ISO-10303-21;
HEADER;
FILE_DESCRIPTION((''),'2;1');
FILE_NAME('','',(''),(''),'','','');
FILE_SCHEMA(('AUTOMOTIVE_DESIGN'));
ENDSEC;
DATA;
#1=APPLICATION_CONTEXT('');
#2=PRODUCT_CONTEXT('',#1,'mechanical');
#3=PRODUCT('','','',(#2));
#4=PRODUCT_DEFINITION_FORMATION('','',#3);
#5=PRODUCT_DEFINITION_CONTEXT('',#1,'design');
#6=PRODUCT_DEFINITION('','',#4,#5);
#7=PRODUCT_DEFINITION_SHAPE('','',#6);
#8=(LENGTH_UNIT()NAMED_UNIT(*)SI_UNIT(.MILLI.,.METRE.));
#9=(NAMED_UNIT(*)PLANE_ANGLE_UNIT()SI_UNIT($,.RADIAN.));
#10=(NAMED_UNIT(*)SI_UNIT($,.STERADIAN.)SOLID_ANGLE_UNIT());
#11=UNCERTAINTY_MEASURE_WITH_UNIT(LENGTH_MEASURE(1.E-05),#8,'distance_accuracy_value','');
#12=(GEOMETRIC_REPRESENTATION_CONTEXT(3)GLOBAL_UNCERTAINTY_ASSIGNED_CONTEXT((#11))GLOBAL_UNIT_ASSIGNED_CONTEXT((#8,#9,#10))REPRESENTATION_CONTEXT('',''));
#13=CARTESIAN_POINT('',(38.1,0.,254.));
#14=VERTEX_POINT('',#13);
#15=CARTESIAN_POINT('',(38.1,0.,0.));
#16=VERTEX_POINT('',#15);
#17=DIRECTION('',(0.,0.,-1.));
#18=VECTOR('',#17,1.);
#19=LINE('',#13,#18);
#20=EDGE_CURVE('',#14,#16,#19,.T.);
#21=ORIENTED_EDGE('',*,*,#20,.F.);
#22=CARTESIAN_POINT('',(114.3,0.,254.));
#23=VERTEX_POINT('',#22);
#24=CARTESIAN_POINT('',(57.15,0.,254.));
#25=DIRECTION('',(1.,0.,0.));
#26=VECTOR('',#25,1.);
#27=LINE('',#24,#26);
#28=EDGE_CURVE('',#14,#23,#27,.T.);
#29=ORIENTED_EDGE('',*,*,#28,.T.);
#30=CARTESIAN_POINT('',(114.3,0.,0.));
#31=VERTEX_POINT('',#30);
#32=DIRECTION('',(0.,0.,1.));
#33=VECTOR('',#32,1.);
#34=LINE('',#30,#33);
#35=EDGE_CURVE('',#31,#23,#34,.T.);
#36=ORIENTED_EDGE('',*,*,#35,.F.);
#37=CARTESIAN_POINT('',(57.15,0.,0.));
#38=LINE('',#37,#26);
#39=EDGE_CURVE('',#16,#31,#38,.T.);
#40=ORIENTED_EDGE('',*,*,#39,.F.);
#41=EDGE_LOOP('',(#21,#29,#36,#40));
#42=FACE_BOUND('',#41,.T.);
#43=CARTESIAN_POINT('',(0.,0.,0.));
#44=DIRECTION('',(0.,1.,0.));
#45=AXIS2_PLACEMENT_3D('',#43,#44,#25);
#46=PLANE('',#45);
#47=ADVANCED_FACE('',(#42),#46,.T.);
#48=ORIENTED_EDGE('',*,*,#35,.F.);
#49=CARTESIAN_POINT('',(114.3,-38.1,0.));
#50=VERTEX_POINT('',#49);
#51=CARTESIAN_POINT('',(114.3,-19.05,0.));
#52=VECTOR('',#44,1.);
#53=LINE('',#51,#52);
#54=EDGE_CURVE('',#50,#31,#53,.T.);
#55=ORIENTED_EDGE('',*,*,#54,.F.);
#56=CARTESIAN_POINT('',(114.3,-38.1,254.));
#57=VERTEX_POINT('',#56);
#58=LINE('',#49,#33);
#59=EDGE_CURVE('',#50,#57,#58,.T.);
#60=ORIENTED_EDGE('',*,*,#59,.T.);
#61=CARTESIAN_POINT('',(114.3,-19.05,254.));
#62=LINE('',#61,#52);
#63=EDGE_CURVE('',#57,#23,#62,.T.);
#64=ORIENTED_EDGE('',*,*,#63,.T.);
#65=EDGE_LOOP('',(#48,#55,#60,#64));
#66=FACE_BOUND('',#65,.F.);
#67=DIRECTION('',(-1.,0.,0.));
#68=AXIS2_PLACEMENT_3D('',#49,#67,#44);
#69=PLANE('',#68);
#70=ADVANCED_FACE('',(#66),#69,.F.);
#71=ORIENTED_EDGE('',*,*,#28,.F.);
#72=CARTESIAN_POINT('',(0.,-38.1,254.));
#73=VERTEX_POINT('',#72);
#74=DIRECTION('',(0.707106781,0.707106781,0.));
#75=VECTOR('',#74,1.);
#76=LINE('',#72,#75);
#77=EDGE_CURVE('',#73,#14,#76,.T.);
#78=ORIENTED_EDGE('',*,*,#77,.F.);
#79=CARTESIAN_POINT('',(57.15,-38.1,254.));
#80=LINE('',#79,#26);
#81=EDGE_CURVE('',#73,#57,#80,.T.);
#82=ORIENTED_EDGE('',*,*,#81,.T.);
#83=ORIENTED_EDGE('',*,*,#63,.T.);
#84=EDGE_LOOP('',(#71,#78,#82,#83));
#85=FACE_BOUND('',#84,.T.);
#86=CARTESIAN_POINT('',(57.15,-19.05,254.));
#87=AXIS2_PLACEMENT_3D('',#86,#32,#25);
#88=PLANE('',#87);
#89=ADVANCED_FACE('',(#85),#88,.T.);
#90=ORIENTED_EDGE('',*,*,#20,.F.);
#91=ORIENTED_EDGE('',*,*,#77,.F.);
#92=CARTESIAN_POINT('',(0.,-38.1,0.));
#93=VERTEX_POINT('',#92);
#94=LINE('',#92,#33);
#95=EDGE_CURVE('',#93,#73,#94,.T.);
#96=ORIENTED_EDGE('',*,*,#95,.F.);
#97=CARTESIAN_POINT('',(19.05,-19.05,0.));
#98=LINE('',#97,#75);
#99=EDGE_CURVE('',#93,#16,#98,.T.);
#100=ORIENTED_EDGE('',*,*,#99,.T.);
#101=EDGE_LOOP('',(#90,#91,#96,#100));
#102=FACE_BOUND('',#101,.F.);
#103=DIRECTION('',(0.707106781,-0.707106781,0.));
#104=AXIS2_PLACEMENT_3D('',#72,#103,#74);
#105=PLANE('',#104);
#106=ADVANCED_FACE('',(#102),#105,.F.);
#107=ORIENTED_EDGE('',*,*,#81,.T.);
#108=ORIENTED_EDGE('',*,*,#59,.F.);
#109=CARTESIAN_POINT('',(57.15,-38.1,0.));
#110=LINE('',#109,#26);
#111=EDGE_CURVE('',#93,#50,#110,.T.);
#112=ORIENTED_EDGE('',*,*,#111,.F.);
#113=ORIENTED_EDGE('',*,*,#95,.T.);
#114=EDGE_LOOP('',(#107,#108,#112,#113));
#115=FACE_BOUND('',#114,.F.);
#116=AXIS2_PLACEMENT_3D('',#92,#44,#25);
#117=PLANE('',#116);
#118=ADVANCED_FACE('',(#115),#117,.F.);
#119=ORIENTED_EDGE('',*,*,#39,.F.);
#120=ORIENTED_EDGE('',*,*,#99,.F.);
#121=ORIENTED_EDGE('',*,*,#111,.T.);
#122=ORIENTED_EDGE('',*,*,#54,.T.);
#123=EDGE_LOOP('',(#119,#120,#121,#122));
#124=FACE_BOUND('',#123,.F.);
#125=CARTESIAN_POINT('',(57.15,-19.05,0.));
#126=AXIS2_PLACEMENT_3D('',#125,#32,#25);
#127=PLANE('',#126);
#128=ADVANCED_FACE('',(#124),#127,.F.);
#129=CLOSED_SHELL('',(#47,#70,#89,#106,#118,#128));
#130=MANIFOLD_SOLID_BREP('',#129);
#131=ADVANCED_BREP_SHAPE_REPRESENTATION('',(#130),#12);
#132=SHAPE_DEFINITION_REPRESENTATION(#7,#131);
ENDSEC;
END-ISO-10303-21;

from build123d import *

# Parameters (mm, degrees)
F0_W     = 114.3
F0_H     = 38.1
F1_DEPTH = 254
F3_DEPTH = 279.4


with BuildPart() as f1:
    # F0 (on Top) → F1 (new body)
    with BuildSketch(Plane.XY):
        with Locations((57.15, -19.05)):
            Rectangle(F0_W, F0_H)
    extrude(amount=F1_DEPTH)

    # F2 (on face) → F3 (cut)
    with BuildSketch(Plane.XY.offset(254)):
        Polygon((0, 0), (0, -38.1), (38.1, 0), align=None)
    extrude(amount=-F3_DEPTH, mode=Mode.SUBTRACT)


solid = f1.part
